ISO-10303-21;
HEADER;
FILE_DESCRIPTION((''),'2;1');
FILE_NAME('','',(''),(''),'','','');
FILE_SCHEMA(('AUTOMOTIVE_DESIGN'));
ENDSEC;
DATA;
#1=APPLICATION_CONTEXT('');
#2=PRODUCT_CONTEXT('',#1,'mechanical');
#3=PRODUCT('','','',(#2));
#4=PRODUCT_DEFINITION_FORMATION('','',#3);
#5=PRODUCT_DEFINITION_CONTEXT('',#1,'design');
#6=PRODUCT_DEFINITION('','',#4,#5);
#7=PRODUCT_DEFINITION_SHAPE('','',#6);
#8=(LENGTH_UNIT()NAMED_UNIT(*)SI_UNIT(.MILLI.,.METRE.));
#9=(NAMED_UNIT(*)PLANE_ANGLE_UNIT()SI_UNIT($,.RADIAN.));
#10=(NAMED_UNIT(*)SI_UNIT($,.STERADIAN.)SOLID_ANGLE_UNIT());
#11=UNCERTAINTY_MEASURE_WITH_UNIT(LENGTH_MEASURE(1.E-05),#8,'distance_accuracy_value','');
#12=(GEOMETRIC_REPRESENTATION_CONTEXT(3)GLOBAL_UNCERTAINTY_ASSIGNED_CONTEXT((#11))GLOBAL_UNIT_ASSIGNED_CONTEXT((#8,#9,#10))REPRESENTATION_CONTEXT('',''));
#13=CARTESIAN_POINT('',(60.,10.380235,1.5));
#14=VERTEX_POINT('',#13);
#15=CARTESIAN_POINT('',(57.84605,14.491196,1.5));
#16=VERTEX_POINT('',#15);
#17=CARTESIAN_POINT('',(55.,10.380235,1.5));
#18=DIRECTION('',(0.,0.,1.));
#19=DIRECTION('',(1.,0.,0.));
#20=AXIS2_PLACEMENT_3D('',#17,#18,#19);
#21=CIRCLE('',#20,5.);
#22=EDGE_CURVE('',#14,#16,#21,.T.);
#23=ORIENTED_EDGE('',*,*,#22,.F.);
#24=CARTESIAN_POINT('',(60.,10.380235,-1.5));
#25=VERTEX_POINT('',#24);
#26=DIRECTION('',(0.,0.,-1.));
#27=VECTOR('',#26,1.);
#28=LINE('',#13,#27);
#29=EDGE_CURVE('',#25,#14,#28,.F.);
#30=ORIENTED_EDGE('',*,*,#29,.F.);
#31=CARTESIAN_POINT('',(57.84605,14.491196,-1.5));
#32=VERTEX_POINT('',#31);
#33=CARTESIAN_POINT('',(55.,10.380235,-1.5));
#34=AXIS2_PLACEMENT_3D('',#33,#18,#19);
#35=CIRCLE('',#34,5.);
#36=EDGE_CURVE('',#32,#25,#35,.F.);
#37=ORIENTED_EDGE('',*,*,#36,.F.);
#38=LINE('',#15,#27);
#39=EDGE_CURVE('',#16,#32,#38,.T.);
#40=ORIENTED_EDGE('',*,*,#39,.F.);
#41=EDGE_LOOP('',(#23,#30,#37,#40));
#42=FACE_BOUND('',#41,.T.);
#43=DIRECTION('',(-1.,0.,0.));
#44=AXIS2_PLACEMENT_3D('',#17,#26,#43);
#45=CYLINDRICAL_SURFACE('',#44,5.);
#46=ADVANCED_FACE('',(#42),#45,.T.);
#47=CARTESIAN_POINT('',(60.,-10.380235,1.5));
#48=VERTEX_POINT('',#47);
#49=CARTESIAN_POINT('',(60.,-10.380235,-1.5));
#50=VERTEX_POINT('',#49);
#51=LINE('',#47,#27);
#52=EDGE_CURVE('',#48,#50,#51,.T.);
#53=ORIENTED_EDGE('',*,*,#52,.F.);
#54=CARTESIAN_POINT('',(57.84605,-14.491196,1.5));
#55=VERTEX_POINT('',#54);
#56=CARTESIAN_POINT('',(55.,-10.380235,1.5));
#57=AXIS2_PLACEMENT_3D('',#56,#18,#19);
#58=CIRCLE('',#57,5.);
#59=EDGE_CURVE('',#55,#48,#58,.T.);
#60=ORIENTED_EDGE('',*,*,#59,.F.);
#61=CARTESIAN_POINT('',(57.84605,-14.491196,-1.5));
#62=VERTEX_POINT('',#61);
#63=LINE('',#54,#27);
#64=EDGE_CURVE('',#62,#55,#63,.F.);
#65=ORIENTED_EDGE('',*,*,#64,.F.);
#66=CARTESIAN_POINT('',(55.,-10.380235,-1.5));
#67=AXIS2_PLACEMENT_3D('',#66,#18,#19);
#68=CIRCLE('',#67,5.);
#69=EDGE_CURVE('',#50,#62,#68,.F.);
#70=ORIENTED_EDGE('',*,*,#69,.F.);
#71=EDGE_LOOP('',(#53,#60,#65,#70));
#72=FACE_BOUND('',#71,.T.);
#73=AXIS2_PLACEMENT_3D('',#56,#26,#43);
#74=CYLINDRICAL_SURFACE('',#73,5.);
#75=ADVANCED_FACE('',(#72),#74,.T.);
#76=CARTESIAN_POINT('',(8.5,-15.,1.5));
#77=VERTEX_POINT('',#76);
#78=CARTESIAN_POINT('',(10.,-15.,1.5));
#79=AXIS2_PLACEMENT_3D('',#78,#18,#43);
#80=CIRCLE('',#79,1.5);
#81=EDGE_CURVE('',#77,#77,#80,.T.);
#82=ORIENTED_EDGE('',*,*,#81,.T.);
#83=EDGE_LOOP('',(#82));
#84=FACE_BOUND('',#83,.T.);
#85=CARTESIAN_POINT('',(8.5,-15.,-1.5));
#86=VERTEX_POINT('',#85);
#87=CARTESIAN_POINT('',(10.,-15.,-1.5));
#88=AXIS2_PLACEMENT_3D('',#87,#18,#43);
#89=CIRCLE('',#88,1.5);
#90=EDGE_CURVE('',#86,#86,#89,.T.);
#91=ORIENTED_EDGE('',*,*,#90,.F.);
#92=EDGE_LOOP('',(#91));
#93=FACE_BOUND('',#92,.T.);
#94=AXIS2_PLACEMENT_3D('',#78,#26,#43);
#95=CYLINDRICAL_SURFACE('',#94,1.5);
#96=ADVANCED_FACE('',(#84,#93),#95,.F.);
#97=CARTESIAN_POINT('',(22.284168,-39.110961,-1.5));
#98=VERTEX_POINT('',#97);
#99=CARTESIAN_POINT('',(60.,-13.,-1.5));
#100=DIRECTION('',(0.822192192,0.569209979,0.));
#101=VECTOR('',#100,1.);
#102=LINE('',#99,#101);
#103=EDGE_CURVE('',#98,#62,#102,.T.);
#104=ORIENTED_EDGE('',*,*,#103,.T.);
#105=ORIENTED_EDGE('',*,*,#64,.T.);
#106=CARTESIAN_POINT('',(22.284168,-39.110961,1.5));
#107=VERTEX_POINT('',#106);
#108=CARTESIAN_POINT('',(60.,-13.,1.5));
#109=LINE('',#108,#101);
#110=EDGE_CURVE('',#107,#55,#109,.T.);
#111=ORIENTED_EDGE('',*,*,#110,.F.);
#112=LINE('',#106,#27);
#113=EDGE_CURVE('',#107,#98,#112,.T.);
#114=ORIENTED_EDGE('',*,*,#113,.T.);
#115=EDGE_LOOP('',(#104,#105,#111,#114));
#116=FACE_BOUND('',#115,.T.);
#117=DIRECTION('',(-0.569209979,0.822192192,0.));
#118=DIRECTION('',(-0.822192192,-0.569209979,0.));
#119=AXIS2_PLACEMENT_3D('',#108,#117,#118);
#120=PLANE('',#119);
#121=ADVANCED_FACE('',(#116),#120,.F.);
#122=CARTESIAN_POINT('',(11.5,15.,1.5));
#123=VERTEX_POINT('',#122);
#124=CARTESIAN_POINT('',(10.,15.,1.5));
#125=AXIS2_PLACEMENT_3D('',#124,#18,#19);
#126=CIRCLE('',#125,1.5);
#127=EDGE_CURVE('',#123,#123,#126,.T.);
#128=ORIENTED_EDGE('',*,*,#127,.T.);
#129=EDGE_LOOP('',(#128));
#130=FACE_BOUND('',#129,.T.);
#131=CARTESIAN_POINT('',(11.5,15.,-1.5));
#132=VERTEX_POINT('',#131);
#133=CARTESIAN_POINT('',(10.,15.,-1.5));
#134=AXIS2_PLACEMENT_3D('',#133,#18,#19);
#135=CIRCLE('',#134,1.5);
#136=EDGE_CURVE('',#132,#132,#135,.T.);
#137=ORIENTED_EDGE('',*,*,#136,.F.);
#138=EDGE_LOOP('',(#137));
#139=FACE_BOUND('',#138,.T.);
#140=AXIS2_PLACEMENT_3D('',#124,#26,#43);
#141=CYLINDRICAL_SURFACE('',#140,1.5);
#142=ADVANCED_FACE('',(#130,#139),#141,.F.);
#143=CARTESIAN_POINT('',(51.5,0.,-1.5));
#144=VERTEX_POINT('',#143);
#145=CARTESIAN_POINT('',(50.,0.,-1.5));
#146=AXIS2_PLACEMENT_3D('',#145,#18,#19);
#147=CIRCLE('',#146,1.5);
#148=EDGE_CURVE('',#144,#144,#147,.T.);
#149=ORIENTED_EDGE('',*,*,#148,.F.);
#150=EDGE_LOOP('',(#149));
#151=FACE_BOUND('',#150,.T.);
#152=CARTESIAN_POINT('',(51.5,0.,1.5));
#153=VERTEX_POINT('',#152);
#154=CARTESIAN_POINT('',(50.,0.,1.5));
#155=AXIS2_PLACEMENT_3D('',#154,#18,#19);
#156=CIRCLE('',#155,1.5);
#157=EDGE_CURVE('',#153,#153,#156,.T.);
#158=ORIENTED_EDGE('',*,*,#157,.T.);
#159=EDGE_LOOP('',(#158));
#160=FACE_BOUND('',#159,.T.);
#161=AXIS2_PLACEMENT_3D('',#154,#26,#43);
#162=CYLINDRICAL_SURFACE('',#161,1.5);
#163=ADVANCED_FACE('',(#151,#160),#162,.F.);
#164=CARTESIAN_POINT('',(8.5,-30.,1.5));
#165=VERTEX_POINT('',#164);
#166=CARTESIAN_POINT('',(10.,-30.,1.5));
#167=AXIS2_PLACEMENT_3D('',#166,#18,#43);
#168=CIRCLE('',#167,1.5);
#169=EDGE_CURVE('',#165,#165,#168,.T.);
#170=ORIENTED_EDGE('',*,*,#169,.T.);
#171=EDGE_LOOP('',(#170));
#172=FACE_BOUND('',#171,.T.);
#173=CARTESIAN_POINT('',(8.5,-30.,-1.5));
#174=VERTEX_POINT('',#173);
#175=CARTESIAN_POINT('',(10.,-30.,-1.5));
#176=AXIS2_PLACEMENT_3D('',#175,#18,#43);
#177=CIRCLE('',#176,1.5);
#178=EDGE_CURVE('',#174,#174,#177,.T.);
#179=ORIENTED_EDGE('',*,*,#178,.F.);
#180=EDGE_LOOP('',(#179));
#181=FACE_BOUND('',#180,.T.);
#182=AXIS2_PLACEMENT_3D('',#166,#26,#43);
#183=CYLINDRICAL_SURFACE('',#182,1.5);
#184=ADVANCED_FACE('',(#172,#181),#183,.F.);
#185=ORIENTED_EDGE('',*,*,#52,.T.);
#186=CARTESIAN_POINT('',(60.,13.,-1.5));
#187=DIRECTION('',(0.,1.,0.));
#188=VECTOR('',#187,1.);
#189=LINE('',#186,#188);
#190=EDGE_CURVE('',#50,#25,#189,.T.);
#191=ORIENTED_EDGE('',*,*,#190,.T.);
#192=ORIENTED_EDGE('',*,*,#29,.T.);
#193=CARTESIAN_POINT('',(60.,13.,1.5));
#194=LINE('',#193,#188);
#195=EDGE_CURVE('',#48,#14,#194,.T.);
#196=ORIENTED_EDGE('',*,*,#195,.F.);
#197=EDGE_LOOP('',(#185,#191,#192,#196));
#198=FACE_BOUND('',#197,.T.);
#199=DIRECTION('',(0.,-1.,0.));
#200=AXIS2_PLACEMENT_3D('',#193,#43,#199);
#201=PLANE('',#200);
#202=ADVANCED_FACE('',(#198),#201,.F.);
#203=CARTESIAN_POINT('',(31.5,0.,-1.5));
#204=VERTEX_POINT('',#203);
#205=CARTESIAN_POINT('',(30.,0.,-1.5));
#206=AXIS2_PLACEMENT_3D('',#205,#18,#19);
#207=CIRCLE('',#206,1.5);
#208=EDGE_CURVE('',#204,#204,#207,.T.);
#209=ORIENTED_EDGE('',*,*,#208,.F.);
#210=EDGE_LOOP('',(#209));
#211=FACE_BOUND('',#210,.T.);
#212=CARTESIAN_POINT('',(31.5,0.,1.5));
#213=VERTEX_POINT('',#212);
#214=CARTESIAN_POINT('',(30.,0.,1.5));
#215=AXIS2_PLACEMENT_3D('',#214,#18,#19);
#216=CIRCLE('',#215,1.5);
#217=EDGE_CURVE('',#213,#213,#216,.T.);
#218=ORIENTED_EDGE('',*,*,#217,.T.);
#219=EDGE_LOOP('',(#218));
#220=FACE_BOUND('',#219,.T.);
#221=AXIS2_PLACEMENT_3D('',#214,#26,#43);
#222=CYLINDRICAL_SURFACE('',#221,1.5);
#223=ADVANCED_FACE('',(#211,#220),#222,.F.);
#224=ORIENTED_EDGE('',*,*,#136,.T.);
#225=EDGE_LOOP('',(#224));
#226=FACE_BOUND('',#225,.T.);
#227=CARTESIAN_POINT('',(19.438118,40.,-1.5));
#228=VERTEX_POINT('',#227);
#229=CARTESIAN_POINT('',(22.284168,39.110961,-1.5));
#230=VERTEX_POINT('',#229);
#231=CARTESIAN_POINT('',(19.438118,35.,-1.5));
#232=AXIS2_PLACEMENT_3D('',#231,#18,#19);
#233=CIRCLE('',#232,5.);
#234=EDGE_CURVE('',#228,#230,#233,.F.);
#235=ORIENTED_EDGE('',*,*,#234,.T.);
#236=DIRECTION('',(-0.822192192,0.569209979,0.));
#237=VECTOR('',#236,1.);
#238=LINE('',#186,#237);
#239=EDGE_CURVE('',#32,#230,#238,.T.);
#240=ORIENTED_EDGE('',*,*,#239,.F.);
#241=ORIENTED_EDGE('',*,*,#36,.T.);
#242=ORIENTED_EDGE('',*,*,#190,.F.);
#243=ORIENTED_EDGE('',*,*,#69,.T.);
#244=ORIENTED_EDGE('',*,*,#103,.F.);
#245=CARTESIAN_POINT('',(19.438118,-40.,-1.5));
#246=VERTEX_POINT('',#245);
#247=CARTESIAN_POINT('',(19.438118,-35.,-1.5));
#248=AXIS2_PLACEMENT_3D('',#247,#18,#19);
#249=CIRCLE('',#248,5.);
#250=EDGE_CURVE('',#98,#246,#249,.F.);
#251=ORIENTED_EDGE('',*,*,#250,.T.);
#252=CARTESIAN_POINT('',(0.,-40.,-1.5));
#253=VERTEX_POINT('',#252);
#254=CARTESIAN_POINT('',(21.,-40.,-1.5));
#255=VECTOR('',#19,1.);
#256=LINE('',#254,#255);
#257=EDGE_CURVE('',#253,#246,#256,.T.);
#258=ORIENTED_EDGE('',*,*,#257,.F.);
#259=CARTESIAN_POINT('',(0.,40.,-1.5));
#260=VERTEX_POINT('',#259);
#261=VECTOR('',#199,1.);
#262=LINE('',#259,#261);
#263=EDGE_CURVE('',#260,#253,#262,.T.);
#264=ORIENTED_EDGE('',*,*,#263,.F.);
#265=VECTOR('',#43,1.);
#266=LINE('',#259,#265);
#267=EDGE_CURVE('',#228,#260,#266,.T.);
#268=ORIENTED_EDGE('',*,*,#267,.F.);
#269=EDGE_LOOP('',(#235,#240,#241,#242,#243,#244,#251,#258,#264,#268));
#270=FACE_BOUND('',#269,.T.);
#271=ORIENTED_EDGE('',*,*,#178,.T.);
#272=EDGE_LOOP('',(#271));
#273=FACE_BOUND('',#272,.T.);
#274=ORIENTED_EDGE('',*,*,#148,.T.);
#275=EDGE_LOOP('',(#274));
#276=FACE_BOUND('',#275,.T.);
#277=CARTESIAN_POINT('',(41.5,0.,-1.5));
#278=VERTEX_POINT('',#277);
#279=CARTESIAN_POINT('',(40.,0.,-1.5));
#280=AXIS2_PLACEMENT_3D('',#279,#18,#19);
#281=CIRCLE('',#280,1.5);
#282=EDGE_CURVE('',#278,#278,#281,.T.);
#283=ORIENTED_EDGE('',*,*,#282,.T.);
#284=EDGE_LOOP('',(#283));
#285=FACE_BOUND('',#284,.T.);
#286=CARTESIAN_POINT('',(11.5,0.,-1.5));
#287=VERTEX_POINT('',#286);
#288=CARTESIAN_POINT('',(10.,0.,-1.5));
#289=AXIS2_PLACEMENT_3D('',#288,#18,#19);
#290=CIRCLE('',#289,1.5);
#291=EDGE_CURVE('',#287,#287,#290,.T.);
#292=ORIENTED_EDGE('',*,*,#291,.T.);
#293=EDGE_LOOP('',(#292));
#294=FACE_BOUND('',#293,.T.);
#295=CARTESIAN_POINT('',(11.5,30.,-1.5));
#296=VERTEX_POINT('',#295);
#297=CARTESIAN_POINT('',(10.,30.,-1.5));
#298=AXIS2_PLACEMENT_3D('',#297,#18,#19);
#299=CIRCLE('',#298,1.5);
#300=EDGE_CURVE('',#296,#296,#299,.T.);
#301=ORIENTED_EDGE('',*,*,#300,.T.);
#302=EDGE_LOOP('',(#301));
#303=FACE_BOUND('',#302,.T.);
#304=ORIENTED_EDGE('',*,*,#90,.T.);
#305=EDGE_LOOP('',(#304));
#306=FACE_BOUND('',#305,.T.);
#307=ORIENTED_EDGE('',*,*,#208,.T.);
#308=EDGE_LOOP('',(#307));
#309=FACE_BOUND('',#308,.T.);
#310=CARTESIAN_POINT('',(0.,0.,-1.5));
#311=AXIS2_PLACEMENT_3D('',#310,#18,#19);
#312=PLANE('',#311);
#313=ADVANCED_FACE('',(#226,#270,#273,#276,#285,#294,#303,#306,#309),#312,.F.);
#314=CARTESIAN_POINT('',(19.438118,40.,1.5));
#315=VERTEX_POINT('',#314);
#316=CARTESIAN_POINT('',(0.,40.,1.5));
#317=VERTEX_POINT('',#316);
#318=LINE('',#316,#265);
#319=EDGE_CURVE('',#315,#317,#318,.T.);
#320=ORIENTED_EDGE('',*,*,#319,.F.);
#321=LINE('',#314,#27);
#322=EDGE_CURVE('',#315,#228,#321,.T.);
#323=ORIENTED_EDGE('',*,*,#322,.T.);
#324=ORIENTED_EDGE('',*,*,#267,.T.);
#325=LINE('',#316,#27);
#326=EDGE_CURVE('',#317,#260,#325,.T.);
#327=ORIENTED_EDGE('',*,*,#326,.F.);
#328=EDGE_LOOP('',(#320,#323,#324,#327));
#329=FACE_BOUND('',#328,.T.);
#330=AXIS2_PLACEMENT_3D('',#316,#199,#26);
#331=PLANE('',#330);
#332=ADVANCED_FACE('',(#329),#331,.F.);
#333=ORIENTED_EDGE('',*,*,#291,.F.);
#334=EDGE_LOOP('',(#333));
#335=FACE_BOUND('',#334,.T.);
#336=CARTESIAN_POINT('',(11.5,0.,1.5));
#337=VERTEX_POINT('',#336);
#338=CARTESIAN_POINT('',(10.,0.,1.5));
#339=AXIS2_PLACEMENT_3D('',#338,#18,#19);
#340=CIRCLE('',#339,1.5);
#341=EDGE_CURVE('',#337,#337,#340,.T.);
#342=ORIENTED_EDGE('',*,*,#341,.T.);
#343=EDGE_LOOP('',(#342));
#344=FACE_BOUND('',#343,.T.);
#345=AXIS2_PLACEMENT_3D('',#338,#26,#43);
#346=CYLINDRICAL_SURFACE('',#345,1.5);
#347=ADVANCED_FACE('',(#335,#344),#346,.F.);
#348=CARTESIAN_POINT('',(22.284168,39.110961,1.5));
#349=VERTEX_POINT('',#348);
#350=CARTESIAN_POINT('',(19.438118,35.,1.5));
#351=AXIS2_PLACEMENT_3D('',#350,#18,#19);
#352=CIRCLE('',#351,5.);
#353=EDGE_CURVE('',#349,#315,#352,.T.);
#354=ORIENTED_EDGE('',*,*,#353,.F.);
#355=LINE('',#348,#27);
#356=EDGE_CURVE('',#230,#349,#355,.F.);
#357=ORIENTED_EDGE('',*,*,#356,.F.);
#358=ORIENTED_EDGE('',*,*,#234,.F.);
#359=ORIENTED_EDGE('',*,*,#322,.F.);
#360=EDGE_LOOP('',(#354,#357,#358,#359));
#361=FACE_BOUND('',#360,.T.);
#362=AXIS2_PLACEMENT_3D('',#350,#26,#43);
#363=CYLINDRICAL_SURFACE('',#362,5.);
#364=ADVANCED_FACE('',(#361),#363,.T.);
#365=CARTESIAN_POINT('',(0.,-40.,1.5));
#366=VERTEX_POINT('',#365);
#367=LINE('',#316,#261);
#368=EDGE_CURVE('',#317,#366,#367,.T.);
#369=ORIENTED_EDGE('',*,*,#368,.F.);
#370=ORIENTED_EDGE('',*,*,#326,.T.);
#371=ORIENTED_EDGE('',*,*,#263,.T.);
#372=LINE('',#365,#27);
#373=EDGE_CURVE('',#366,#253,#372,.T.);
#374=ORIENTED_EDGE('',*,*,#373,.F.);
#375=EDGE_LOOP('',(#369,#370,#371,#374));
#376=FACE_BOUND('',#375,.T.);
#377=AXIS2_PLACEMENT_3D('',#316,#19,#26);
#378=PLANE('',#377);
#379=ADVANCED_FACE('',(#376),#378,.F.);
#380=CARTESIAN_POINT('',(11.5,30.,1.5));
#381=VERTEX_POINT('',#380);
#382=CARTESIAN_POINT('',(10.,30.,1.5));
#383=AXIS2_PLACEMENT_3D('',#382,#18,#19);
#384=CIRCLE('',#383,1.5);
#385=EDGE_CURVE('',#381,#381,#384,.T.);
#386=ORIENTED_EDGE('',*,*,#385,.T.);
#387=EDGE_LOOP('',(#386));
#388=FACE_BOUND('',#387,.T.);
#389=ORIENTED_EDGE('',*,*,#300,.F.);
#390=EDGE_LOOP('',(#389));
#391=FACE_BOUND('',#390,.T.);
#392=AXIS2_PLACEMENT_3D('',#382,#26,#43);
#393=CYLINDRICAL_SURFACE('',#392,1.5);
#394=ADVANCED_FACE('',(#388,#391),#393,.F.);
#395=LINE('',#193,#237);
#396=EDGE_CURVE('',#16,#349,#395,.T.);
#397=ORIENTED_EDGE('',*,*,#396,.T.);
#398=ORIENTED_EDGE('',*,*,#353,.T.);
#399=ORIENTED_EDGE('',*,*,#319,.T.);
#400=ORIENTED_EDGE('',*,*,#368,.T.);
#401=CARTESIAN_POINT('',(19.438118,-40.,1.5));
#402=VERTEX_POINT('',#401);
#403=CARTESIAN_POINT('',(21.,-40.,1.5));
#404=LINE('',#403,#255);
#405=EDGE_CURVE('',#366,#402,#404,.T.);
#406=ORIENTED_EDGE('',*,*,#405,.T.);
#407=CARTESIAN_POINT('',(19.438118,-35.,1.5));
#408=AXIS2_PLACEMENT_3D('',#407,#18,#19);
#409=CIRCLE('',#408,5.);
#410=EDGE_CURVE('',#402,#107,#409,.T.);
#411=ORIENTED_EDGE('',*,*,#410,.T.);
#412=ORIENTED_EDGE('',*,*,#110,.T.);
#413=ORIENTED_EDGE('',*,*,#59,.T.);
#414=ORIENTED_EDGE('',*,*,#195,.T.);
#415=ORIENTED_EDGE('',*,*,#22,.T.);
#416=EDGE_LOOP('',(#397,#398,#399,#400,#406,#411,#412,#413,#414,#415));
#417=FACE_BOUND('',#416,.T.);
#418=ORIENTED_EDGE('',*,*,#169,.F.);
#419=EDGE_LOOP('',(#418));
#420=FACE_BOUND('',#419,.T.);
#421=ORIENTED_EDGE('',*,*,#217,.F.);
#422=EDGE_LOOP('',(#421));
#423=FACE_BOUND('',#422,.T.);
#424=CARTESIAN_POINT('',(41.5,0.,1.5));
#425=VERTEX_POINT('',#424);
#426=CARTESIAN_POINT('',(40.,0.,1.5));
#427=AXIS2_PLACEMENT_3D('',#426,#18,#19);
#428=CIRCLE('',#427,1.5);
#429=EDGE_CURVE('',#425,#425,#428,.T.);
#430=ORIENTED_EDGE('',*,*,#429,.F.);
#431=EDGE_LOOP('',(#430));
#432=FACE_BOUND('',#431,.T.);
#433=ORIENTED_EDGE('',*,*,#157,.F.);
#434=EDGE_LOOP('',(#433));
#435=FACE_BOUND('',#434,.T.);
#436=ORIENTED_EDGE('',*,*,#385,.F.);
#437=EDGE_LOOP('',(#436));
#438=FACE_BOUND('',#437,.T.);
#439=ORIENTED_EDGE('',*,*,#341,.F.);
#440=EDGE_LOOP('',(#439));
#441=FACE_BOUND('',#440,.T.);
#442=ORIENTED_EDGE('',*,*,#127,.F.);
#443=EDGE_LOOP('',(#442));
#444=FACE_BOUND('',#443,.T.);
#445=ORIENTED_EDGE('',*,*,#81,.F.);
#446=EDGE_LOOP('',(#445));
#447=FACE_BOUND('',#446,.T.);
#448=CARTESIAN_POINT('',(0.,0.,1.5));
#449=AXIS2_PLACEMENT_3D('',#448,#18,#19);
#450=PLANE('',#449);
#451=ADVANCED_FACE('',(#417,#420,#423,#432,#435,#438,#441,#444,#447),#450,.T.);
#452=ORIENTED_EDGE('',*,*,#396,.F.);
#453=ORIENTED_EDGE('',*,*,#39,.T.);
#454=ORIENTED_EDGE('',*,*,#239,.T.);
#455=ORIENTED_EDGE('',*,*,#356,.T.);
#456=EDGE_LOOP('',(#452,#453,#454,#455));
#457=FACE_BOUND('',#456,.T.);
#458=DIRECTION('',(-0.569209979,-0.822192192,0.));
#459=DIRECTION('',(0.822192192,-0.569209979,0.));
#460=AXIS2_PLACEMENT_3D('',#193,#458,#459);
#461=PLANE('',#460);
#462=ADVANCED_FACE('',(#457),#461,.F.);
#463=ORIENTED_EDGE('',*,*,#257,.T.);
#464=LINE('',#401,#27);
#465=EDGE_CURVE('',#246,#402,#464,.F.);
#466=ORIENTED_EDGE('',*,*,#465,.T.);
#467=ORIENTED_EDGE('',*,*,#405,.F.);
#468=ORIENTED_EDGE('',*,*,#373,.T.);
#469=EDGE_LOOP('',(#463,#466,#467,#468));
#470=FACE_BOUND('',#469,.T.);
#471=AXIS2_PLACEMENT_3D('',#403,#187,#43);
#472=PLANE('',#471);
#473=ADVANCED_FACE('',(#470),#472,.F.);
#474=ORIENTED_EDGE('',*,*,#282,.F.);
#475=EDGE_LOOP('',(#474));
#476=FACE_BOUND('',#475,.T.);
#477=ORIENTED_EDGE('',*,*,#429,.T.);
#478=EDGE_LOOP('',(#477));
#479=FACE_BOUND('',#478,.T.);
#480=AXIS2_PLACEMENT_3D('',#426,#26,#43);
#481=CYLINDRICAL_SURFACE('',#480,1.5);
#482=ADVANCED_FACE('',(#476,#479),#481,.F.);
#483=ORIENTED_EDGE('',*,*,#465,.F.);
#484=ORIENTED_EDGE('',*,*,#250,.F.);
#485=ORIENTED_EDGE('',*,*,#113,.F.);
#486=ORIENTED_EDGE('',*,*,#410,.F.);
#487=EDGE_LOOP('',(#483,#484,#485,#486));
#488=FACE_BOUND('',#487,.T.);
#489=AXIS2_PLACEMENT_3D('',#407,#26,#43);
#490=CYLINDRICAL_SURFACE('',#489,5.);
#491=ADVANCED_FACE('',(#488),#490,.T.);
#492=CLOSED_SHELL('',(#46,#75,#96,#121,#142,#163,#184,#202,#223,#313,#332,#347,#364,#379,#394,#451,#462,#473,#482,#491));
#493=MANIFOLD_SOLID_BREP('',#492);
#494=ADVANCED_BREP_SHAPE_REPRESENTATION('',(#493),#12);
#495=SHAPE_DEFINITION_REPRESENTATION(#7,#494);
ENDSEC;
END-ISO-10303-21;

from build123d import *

# Parameters (mm, degrees)
SKETCH_1_R      = 1.5
EXTRUDE_1_DEPTH = 1.5
FILLET_1_R      = 5


with BuildPart() as part:
    # 草图1 → 凸台-拉伸1 (new, symmetric)
    with BuildSketch(Plane.XY):
        Polygon((0, 40), (0, -40), (21, -40), (60, -13), (60, 13), (21, 40), align=None)
        with Locations((10, 0)):
            Circle(SKETCH_1_R, mode=Mode.SUBTRACT)
        with Locations((10, 15)):
            Circle(SKETCH_1_R, mode=Mode.SUBTRACT)
        with Locations((10, 30)):
            Circle(SKETCH_1_R, mode=Mode.SUBTRACT)
        with Locations(Location((10, -15, 0), (0, 0, 180))):
            Circle(SKETCH_1_R, mode=Mode.SUBTRACT)
        with Locations(Location((10, -30, 0), (0, 0, 180))):
            Circle(SKETCH_1_R, mode=Mode.SUBTRACT)
        with Locations((30, 0)):
            Circle(SKETCH_1_R, mode=Mode.SUBTRACT)
        with Locations((40, 0)):
            Circle(SKETCH_1_R, mode=Mode.SUBTRACT)
        with Locations((50, 0)):
            Circle(SKETCH_1_R, mode=Mode.SUBTRACT)
    extrude(amount=EXTRUDE_1_DEPTH, both=True)

    # 圆角1
    fillet_1_edges = [part.edges().sort_by_distance(p)[0] for p in [
        (60, 13, 0),
        (60, -13, 0),
        (21, -40, 0),
        (21, 40, 0),
    ]]
    fillet(fillet_1_edges, radius=FILLET_1_R)


solid = part.part
